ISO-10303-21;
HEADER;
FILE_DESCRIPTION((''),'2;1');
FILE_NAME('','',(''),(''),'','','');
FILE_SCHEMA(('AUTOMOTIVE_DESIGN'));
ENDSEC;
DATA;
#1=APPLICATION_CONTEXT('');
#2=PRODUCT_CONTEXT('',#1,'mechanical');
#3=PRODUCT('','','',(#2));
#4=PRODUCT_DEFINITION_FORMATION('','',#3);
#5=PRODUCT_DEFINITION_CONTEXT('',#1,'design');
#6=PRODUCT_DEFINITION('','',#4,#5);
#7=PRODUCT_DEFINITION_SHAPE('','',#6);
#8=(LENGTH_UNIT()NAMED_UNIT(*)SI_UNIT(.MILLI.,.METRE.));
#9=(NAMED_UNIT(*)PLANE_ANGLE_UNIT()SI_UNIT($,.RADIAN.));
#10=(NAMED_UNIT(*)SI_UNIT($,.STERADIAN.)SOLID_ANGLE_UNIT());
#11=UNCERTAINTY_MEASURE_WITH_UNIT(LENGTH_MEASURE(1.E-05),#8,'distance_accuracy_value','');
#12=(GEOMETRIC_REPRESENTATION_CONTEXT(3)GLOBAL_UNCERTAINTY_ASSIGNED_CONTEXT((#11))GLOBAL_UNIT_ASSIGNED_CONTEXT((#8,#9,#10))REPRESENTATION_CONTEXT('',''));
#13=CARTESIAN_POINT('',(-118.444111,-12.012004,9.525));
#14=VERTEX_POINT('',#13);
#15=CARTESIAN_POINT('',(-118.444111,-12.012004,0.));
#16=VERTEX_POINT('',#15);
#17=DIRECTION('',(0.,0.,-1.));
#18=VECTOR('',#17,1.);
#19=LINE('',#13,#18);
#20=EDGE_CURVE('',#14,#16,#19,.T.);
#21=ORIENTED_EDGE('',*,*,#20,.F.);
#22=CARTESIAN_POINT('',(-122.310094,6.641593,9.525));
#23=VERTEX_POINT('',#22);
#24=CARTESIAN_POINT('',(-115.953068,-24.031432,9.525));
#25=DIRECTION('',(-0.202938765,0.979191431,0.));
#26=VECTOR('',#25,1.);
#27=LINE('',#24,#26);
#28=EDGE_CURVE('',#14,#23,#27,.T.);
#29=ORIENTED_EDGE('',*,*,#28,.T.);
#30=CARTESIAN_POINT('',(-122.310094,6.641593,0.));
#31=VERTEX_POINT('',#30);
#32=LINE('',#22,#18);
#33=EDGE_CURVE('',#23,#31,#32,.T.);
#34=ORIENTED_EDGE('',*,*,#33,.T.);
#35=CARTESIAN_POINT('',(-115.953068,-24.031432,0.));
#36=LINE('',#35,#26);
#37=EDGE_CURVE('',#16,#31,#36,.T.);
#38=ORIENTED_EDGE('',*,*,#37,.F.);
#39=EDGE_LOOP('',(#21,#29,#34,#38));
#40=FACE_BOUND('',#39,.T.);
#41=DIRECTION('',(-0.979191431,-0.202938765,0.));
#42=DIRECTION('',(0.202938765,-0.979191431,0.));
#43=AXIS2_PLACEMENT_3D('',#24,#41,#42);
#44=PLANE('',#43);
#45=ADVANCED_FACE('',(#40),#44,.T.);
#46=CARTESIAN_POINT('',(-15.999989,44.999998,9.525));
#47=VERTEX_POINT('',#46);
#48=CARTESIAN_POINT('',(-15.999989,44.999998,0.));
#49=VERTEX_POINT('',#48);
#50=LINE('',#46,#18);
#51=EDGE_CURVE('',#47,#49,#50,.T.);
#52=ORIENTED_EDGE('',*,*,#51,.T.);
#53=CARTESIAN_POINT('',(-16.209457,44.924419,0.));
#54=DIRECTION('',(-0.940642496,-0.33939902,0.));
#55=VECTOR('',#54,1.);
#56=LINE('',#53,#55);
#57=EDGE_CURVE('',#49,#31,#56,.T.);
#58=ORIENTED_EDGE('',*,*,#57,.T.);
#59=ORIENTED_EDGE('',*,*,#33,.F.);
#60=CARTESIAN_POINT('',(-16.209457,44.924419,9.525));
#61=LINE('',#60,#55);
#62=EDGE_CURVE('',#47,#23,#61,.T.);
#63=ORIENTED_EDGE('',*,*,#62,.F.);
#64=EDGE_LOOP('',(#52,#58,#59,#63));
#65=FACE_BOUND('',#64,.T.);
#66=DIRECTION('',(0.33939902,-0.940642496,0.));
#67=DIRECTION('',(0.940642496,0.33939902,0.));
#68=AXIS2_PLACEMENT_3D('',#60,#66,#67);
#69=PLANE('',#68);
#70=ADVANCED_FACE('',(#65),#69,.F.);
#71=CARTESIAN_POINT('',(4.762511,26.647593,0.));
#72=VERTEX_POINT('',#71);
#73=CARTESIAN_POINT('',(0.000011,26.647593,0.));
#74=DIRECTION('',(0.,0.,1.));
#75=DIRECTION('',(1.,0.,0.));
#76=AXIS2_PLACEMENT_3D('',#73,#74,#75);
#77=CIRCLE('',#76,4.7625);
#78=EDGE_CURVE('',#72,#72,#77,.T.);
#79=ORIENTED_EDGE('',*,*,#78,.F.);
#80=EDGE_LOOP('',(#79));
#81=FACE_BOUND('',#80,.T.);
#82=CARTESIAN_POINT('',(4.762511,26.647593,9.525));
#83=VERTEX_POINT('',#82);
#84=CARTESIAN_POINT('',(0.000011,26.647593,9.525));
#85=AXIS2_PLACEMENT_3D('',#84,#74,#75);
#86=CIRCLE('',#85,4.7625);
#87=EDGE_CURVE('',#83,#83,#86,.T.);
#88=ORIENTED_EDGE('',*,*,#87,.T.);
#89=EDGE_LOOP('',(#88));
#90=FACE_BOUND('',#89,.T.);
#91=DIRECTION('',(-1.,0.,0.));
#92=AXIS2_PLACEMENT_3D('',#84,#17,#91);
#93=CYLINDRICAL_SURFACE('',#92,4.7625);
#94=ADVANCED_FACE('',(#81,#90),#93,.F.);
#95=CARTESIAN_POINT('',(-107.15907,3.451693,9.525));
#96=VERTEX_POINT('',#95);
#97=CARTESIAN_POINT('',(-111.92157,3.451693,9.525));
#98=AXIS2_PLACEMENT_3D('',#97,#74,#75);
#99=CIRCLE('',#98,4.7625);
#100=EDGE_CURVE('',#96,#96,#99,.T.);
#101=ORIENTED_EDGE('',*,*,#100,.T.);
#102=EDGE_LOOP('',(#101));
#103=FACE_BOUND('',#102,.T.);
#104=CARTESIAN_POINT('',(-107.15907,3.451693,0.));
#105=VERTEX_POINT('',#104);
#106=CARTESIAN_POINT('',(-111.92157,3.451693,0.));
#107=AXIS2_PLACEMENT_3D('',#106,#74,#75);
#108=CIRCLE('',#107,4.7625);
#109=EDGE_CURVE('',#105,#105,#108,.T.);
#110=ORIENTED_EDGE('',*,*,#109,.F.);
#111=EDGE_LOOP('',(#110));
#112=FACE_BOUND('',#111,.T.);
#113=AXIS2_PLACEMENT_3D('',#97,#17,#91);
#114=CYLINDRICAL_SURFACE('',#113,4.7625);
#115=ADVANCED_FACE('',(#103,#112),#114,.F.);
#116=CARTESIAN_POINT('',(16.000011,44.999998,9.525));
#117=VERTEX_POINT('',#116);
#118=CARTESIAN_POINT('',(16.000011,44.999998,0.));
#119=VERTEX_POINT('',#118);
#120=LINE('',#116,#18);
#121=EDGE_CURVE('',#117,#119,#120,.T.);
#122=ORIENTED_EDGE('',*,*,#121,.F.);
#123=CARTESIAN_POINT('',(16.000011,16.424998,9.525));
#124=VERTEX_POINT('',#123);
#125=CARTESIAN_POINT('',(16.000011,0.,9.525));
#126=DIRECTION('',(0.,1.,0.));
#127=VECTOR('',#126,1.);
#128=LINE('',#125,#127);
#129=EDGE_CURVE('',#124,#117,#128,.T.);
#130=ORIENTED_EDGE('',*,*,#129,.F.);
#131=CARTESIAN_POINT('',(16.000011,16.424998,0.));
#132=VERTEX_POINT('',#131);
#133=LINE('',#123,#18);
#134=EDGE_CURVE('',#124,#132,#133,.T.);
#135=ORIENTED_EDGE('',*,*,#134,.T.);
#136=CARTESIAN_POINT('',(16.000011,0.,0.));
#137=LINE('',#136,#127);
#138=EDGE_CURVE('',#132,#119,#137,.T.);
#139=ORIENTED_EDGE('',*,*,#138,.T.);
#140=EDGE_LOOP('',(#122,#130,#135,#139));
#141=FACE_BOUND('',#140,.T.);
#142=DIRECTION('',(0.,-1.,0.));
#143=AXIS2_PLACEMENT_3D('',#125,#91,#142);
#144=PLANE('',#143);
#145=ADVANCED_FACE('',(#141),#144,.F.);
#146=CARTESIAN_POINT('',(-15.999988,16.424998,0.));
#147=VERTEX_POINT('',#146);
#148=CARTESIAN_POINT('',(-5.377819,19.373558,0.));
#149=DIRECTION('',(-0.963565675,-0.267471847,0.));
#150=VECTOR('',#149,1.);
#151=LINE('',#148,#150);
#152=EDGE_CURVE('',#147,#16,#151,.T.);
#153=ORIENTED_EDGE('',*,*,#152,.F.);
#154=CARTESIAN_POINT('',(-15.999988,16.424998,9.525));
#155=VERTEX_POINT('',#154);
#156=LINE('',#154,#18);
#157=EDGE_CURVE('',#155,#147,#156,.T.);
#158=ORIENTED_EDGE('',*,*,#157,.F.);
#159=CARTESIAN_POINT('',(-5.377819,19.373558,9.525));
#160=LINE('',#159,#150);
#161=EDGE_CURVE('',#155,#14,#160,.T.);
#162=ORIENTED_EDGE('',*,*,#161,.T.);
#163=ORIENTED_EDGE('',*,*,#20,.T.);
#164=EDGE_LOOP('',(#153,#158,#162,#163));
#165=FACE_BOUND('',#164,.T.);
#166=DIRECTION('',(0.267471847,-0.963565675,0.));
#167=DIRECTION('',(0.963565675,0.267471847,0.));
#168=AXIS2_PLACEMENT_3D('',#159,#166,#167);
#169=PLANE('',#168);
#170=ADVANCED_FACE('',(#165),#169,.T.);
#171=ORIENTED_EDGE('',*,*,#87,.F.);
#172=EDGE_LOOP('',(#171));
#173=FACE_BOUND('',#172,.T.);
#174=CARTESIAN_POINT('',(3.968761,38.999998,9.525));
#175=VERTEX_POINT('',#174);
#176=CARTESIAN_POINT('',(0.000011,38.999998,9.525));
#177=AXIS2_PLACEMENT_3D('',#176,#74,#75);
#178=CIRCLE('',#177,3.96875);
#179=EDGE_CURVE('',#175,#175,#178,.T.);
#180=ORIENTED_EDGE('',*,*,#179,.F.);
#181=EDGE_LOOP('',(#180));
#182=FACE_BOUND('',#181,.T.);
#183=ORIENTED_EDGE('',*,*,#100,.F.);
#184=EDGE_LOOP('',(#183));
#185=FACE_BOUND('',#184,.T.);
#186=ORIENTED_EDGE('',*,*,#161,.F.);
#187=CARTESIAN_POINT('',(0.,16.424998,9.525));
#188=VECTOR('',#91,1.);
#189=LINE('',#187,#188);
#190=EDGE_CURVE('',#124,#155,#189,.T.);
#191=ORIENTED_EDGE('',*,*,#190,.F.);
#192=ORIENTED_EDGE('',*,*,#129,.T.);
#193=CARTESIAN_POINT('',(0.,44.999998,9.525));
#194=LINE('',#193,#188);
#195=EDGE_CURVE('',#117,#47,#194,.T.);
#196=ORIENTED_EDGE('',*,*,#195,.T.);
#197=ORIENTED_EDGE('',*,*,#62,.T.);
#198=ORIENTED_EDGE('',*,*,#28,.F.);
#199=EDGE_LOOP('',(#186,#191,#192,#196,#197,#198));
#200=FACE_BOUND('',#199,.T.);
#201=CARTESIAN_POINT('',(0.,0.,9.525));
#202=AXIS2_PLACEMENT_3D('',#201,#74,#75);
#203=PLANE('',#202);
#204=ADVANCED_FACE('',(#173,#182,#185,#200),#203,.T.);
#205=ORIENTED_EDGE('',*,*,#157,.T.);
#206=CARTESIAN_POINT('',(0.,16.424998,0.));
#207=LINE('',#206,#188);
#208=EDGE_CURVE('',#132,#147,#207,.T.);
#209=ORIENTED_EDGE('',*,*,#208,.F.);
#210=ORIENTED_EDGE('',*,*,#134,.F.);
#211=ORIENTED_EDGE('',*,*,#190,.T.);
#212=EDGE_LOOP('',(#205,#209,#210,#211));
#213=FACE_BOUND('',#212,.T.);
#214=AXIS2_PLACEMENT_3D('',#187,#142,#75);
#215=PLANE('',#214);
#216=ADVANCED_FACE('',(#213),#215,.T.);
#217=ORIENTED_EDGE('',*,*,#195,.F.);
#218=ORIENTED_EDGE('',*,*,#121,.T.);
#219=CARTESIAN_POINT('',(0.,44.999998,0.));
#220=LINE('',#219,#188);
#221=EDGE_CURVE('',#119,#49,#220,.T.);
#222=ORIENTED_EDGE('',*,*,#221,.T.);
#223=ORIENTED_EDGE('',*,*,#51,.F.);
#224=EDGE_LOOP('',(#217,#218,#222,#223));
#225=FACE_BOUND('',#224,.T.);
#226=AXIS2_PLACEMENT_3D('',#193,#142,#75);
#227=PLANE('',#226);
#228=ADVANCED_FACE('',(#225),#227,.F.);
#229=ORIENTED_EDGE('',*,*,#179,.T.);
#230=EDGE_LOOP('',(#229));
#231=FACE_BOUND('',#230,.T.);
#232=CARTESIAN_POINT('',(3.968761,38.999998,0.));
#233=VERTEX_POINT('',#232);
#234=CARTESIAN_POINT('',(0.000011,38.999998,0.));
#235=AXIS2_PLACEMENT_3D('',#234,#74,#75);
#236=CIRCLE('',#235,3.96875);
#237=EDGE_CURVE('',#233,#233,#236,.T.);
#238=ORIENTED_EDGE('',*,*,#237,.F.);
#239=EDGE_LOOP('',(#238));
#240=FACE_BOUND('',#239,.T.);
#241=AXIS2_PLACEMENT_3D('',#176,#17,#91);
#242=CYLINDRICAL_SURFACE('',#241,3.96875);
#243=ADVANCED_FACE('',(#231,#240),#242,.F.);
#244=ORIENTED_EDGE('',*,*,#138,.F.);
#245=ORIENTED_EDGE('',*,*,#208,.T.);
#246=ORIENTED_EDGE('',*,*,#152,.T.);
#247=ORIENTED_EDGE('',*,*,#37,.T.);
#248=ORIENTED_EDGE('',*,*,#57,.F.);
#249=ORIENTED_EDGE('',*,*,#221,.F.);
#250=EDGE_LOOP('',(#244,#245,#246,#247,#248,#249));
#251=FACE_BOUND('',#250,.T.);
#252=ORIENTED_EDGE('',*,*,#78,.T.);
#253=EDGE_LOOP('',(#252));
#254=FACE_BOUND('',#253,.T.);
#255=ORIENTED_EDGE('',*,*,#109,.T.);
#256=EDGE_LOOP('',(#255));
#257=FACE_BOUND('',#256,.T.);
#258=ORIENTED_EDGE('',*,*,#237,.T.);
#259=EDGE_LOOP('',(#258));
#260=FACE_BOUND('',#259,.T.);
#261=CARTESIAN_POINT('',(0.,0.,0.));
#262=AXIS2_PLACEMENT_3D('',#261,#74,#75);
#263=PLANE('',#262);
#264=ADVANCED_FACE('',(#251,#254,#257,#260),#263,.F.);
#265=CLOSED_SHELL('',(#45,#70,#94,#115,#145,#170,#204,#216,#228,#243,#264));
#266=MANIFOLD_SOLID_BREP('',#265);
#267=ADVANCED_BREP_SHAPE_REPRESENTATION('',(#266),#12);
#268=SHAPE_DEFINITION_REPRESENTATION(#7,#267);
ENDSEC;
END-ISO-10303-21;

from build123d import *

# Parameters (mm, degrees)
SKETCH1_R           = 3.96875
SKETCH1_R_2         = 4.762500002
BOSS_EXTRUDE1_DEPTH = 9.525


with BuildPart() as part:
    # Sketch1 → Boss-Extrude1 (new body)
    with BuildSketch(Plane.XY):
        Polygon((-15.999988546, 44.999997987), (-122.310094385, 6.64159306), (-118.444110919, -12.012003693), (-15.999988306, 16.424997987), (16.000011454, 16.424997987), (16.000011454, 44.999997987), align=None)
        with Locations((1.1454e-05, 38.999997987)):
            Circle(SKETCH1_R, mode=Mode.SUBTRACT)
        with Locations((1.0942e-05, 26.647593354)):
            Circle(SKETCH1_R_2, mode=Mode.SUBTRACT)
        with Locations((-111.921569578, 3.451692555)):
            Circle(SKETCH1_R_2, mode=Mode.SUBTRACT)
    extrude(amount=BOSS_EXTRUDE1_DEPTH)


solid = part.part
